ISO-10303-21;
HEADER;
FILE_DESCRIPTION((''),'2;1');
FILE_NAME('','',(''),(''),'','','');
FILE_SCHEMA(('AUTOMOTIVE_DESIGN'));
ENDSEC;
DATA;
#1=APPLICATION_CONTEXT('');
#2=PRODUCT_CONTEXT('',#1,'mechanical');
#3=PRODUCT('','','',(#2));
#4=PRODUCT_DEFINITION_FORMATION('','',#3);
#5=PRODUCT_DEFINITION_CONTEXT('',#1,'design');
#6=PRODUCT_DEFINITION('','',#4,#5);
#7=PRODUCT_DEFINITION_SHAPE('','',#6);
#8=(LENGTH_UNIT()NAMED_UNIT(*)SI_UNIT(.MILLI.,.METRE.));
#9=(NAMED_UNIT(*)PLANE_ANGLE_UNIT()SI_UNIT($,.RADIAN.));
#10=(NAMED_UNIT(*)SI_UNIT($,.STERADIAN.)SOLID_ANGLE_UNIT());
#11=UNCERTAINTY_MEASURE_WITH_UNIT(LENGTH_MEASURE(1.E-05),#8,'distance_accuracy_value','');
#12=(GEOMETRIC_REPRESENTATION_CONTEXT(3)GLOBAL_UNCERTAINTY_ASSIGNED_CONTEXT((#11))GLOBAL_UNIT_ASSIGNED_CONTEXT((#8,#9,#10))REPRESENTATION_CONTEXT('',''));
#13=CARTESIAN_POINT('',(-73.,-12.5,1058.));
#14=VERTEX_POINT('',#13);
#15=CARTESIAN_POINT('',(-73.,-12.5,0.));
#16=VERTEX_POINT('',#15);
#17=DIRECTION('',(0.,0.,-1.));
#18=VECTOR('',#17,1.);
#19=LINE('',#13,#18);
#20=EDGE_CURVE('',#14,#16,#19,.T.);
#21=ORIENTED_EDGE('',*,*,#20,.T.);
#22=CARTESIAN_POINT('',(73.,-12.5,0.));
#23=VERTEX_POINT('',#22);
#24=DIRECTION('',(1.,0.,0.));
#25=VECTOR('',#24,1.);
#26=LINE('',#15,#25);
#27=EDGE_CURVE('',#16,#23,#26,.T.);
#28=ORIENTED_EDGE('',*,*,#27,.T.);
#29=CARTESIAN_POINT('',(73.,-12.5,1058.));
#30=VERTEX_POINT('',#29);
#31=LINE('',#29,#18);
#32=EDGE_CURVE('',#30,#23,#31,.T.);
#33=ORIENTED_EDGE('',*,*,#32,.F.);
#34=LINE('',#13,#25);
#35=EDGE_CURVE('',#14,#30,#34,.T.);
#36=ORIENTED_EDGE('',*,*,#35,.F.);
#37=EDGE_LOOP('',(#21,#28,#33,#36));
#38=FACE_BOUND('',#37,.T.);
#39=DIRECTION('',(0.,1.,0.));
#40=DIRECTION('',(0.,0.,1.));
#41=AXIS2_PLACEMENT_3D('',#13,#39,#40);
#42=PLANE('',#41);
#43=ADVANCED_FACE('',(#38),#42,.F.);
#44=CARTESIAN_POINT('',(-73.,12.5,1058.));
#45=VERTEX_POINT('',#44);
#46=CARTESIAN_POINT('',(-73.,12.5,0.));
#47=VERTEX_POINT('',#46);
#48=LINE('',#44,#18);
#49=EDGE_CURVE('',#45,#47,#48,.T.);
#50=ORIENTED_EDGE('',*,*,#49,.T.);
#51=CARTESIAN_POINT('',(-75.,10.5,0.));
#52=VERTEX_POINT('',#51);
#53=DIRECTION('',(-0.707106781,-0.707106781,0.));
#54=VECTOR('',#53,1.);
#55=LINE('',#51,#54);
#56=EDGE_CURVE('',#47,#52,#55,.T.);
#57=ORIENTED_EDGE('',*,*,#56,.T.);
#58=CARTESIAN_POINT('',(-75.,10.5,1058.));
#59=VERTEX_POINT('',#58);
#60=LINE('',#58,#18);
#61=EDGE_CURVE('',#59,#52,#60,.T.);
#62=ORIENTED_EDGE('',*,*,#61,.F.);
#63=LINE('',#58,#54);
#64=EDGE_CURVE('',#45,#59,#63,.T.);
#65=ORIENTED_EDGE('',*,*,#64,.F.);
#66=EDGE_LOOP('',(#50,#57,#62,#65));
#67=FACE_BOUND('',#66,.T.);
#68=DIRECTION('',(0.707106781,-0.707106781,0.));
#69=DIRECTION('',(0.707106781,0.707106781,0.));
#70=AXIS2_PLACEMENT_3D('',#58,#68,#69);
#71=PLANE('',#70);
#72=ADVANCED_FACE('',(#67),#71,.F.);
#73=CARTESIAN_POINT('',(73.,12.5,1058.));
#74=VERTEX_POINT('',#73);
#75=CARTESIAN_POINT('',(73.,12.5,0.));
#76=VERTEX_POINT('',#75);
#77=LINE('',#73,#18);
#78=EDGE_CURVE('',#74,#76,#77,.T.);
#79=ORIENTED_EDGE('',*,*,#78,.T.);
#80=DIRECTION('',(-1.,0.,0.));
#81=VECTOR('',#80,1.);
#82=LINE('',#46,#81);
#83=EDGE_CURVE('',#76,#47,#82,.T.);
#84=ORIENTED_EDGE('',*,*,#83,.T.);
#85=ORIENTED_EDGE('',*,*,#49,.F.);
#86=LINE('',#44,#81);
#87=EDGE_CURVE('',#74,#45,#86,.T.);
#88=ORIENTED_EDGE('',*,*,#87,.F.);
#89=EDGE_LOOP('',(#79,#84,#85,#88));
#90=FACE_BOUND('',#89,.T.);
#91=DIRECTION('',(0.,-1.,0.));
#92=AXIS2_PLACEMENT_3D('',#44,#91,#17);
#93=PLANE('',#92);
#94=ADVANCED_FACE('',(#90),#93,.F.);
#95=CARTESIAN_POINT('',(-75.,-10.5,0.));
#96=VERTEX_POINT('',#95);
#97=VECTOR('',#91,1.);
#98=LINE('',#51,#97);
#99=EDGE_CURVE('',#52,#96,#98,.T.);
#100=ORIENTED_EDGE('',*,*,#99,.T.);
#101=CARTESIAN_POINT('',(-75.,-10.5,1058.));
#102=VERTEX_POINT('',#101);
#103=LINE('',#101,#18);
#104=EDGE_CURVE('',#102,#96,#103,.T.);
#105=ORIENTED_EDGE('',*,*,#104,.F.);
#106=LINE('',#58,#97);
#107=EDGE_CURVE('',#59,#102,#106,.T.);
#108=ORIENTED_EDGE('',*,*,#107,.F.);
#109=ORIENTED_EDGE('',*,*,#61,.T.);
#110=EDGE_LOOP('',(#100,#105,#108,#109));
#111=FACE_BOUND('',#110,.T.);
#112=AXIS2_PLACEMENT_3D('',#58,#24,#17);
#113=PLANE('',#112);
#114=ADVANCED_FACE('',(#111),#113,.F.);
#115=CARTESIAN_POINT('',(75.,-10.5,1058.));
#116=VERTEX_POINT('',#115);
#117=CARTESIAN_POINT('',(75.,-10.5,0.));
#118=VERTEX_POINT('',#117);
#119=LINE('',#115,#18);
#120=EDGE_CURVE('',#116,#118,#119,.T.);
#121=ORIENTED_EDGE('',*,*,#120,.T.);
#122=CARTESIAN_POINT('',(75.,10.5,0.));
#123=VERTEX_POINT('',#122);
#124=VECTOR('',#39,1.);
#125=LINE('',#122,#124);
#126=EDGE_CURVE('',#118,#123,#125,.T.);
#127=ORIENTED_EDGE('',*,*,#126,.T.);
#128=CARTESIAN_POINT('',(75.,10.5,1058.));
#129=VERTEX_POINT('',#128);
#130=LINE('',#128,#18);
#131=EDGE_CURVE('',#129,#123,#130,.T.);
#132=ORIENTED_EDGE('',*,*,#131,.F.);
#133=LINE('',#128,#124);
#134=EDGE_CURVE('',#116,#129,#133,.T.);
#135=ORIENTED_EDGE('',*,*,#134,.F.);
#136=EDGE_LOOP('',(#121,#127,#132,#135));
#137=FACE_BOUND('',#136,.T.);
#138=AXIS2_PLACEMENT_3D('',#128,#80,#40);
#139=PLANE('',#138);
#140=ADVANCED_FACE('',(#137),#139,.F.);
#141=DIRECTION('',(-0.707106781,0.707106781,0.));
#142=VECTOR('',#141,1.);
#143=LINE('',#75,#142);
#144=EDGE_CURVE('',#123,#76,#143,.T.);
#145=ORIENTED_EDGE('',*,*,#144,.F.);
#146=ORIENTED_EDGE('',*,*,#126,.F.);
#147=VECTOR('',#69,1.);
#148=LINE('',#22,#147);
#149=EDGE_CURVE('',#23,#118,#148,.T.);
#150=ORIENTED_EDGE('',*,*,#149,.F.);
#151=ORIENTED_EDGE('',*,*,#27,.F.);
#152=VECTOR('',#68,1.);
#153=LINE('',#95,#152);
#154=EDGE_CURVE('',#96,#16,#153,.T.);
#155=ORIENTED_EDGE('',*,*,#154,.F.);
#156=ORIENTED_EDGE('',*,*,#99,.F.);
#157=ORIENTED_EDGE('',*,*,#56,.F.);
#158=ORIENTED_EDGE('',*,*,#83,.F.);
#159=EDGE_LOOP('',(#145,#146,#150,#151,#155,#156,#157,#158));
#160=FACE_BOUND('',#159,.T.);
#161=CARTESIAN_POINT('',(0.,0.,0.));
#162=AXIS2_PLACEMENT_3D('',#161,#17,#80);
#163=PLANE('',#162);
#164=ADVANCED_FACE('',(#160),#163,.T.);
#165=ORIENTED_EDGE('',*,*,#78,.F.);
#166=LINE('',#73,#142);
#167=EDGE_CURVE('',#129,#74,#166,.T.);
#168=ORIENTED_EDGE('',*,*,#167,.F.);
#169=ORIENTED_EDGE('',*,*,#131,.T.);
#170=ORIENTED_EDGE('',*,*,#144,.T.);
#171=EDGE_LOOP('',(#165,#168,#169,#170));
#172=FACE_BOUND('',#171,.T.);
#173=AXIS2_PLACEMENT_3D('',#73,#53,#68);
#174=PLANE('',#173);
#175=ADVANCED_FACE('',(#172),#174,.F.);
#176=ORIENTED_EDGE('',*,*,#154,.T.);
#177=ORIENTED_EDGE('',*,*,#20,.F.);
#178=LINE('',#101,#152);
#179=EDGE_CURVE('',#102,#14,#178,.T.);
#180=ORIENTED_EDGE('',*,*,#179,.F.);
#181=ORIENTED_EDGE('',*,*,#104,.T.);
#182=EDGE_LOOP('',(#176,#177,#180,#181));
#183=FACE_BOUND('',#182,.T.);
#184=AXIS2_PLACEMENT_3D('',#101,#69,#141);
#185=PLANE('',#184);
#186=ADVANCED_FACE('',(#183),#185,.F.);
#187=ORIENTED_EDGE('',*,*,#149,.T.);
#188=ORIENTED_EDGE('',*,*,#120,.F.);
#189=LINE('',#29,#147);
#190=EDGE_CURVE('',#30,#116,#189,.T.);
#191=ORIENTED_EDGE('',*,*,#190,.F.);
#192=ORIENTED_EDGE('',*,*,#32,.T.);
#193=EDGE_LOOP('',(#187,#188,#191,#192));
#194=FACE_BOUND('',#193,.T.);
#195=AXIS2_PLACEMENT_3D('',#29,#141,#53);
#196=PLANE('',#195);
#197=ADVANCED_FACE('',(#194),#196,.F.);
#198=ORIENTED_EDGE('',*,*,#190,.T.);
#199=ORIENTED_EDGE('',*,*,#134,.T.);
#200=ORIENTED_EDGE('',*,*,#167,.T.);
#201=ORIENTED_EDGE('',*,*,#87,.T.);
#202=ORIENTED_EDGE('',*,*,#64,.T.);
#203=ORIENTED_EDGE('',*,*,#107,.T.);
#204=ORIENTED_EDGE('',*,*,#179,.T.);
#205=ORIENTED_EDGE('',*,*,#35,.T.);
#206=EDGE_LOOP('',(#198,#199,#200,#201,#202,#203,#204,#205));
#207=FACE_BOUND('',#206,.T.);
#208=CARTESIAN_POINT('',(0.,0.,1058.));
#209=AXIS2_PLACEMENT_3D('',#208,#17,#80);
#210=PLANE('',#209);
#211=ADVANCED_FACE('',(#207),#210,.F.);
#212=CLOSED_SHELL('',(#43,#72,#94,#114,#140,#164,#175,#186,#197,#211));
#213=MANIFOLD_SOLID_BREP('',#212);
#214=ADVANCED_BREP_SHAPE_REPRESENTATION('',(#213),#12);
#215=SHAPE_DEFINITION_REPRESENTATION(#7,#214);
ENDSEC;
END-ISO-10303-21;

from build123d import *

# Parameters (mm, degrees)
EXTRUDE_1_DEPTH = 1058


with BuildPart() as part:
    # Эскиз1 → Бобышка-Вытянуть1 (new body)
    with BuildSketch(Plane.XY):
        Polygon((-75, 10.5), (-73, 12.5), (73, 12.5), (75, 10.5), (75, -10.5), (73, -12.5), (-73, -12.5), (-75, -10.5), align=None)
    extrude(amount=EXTRUDE_1_DEPTH)


solid = part.part
